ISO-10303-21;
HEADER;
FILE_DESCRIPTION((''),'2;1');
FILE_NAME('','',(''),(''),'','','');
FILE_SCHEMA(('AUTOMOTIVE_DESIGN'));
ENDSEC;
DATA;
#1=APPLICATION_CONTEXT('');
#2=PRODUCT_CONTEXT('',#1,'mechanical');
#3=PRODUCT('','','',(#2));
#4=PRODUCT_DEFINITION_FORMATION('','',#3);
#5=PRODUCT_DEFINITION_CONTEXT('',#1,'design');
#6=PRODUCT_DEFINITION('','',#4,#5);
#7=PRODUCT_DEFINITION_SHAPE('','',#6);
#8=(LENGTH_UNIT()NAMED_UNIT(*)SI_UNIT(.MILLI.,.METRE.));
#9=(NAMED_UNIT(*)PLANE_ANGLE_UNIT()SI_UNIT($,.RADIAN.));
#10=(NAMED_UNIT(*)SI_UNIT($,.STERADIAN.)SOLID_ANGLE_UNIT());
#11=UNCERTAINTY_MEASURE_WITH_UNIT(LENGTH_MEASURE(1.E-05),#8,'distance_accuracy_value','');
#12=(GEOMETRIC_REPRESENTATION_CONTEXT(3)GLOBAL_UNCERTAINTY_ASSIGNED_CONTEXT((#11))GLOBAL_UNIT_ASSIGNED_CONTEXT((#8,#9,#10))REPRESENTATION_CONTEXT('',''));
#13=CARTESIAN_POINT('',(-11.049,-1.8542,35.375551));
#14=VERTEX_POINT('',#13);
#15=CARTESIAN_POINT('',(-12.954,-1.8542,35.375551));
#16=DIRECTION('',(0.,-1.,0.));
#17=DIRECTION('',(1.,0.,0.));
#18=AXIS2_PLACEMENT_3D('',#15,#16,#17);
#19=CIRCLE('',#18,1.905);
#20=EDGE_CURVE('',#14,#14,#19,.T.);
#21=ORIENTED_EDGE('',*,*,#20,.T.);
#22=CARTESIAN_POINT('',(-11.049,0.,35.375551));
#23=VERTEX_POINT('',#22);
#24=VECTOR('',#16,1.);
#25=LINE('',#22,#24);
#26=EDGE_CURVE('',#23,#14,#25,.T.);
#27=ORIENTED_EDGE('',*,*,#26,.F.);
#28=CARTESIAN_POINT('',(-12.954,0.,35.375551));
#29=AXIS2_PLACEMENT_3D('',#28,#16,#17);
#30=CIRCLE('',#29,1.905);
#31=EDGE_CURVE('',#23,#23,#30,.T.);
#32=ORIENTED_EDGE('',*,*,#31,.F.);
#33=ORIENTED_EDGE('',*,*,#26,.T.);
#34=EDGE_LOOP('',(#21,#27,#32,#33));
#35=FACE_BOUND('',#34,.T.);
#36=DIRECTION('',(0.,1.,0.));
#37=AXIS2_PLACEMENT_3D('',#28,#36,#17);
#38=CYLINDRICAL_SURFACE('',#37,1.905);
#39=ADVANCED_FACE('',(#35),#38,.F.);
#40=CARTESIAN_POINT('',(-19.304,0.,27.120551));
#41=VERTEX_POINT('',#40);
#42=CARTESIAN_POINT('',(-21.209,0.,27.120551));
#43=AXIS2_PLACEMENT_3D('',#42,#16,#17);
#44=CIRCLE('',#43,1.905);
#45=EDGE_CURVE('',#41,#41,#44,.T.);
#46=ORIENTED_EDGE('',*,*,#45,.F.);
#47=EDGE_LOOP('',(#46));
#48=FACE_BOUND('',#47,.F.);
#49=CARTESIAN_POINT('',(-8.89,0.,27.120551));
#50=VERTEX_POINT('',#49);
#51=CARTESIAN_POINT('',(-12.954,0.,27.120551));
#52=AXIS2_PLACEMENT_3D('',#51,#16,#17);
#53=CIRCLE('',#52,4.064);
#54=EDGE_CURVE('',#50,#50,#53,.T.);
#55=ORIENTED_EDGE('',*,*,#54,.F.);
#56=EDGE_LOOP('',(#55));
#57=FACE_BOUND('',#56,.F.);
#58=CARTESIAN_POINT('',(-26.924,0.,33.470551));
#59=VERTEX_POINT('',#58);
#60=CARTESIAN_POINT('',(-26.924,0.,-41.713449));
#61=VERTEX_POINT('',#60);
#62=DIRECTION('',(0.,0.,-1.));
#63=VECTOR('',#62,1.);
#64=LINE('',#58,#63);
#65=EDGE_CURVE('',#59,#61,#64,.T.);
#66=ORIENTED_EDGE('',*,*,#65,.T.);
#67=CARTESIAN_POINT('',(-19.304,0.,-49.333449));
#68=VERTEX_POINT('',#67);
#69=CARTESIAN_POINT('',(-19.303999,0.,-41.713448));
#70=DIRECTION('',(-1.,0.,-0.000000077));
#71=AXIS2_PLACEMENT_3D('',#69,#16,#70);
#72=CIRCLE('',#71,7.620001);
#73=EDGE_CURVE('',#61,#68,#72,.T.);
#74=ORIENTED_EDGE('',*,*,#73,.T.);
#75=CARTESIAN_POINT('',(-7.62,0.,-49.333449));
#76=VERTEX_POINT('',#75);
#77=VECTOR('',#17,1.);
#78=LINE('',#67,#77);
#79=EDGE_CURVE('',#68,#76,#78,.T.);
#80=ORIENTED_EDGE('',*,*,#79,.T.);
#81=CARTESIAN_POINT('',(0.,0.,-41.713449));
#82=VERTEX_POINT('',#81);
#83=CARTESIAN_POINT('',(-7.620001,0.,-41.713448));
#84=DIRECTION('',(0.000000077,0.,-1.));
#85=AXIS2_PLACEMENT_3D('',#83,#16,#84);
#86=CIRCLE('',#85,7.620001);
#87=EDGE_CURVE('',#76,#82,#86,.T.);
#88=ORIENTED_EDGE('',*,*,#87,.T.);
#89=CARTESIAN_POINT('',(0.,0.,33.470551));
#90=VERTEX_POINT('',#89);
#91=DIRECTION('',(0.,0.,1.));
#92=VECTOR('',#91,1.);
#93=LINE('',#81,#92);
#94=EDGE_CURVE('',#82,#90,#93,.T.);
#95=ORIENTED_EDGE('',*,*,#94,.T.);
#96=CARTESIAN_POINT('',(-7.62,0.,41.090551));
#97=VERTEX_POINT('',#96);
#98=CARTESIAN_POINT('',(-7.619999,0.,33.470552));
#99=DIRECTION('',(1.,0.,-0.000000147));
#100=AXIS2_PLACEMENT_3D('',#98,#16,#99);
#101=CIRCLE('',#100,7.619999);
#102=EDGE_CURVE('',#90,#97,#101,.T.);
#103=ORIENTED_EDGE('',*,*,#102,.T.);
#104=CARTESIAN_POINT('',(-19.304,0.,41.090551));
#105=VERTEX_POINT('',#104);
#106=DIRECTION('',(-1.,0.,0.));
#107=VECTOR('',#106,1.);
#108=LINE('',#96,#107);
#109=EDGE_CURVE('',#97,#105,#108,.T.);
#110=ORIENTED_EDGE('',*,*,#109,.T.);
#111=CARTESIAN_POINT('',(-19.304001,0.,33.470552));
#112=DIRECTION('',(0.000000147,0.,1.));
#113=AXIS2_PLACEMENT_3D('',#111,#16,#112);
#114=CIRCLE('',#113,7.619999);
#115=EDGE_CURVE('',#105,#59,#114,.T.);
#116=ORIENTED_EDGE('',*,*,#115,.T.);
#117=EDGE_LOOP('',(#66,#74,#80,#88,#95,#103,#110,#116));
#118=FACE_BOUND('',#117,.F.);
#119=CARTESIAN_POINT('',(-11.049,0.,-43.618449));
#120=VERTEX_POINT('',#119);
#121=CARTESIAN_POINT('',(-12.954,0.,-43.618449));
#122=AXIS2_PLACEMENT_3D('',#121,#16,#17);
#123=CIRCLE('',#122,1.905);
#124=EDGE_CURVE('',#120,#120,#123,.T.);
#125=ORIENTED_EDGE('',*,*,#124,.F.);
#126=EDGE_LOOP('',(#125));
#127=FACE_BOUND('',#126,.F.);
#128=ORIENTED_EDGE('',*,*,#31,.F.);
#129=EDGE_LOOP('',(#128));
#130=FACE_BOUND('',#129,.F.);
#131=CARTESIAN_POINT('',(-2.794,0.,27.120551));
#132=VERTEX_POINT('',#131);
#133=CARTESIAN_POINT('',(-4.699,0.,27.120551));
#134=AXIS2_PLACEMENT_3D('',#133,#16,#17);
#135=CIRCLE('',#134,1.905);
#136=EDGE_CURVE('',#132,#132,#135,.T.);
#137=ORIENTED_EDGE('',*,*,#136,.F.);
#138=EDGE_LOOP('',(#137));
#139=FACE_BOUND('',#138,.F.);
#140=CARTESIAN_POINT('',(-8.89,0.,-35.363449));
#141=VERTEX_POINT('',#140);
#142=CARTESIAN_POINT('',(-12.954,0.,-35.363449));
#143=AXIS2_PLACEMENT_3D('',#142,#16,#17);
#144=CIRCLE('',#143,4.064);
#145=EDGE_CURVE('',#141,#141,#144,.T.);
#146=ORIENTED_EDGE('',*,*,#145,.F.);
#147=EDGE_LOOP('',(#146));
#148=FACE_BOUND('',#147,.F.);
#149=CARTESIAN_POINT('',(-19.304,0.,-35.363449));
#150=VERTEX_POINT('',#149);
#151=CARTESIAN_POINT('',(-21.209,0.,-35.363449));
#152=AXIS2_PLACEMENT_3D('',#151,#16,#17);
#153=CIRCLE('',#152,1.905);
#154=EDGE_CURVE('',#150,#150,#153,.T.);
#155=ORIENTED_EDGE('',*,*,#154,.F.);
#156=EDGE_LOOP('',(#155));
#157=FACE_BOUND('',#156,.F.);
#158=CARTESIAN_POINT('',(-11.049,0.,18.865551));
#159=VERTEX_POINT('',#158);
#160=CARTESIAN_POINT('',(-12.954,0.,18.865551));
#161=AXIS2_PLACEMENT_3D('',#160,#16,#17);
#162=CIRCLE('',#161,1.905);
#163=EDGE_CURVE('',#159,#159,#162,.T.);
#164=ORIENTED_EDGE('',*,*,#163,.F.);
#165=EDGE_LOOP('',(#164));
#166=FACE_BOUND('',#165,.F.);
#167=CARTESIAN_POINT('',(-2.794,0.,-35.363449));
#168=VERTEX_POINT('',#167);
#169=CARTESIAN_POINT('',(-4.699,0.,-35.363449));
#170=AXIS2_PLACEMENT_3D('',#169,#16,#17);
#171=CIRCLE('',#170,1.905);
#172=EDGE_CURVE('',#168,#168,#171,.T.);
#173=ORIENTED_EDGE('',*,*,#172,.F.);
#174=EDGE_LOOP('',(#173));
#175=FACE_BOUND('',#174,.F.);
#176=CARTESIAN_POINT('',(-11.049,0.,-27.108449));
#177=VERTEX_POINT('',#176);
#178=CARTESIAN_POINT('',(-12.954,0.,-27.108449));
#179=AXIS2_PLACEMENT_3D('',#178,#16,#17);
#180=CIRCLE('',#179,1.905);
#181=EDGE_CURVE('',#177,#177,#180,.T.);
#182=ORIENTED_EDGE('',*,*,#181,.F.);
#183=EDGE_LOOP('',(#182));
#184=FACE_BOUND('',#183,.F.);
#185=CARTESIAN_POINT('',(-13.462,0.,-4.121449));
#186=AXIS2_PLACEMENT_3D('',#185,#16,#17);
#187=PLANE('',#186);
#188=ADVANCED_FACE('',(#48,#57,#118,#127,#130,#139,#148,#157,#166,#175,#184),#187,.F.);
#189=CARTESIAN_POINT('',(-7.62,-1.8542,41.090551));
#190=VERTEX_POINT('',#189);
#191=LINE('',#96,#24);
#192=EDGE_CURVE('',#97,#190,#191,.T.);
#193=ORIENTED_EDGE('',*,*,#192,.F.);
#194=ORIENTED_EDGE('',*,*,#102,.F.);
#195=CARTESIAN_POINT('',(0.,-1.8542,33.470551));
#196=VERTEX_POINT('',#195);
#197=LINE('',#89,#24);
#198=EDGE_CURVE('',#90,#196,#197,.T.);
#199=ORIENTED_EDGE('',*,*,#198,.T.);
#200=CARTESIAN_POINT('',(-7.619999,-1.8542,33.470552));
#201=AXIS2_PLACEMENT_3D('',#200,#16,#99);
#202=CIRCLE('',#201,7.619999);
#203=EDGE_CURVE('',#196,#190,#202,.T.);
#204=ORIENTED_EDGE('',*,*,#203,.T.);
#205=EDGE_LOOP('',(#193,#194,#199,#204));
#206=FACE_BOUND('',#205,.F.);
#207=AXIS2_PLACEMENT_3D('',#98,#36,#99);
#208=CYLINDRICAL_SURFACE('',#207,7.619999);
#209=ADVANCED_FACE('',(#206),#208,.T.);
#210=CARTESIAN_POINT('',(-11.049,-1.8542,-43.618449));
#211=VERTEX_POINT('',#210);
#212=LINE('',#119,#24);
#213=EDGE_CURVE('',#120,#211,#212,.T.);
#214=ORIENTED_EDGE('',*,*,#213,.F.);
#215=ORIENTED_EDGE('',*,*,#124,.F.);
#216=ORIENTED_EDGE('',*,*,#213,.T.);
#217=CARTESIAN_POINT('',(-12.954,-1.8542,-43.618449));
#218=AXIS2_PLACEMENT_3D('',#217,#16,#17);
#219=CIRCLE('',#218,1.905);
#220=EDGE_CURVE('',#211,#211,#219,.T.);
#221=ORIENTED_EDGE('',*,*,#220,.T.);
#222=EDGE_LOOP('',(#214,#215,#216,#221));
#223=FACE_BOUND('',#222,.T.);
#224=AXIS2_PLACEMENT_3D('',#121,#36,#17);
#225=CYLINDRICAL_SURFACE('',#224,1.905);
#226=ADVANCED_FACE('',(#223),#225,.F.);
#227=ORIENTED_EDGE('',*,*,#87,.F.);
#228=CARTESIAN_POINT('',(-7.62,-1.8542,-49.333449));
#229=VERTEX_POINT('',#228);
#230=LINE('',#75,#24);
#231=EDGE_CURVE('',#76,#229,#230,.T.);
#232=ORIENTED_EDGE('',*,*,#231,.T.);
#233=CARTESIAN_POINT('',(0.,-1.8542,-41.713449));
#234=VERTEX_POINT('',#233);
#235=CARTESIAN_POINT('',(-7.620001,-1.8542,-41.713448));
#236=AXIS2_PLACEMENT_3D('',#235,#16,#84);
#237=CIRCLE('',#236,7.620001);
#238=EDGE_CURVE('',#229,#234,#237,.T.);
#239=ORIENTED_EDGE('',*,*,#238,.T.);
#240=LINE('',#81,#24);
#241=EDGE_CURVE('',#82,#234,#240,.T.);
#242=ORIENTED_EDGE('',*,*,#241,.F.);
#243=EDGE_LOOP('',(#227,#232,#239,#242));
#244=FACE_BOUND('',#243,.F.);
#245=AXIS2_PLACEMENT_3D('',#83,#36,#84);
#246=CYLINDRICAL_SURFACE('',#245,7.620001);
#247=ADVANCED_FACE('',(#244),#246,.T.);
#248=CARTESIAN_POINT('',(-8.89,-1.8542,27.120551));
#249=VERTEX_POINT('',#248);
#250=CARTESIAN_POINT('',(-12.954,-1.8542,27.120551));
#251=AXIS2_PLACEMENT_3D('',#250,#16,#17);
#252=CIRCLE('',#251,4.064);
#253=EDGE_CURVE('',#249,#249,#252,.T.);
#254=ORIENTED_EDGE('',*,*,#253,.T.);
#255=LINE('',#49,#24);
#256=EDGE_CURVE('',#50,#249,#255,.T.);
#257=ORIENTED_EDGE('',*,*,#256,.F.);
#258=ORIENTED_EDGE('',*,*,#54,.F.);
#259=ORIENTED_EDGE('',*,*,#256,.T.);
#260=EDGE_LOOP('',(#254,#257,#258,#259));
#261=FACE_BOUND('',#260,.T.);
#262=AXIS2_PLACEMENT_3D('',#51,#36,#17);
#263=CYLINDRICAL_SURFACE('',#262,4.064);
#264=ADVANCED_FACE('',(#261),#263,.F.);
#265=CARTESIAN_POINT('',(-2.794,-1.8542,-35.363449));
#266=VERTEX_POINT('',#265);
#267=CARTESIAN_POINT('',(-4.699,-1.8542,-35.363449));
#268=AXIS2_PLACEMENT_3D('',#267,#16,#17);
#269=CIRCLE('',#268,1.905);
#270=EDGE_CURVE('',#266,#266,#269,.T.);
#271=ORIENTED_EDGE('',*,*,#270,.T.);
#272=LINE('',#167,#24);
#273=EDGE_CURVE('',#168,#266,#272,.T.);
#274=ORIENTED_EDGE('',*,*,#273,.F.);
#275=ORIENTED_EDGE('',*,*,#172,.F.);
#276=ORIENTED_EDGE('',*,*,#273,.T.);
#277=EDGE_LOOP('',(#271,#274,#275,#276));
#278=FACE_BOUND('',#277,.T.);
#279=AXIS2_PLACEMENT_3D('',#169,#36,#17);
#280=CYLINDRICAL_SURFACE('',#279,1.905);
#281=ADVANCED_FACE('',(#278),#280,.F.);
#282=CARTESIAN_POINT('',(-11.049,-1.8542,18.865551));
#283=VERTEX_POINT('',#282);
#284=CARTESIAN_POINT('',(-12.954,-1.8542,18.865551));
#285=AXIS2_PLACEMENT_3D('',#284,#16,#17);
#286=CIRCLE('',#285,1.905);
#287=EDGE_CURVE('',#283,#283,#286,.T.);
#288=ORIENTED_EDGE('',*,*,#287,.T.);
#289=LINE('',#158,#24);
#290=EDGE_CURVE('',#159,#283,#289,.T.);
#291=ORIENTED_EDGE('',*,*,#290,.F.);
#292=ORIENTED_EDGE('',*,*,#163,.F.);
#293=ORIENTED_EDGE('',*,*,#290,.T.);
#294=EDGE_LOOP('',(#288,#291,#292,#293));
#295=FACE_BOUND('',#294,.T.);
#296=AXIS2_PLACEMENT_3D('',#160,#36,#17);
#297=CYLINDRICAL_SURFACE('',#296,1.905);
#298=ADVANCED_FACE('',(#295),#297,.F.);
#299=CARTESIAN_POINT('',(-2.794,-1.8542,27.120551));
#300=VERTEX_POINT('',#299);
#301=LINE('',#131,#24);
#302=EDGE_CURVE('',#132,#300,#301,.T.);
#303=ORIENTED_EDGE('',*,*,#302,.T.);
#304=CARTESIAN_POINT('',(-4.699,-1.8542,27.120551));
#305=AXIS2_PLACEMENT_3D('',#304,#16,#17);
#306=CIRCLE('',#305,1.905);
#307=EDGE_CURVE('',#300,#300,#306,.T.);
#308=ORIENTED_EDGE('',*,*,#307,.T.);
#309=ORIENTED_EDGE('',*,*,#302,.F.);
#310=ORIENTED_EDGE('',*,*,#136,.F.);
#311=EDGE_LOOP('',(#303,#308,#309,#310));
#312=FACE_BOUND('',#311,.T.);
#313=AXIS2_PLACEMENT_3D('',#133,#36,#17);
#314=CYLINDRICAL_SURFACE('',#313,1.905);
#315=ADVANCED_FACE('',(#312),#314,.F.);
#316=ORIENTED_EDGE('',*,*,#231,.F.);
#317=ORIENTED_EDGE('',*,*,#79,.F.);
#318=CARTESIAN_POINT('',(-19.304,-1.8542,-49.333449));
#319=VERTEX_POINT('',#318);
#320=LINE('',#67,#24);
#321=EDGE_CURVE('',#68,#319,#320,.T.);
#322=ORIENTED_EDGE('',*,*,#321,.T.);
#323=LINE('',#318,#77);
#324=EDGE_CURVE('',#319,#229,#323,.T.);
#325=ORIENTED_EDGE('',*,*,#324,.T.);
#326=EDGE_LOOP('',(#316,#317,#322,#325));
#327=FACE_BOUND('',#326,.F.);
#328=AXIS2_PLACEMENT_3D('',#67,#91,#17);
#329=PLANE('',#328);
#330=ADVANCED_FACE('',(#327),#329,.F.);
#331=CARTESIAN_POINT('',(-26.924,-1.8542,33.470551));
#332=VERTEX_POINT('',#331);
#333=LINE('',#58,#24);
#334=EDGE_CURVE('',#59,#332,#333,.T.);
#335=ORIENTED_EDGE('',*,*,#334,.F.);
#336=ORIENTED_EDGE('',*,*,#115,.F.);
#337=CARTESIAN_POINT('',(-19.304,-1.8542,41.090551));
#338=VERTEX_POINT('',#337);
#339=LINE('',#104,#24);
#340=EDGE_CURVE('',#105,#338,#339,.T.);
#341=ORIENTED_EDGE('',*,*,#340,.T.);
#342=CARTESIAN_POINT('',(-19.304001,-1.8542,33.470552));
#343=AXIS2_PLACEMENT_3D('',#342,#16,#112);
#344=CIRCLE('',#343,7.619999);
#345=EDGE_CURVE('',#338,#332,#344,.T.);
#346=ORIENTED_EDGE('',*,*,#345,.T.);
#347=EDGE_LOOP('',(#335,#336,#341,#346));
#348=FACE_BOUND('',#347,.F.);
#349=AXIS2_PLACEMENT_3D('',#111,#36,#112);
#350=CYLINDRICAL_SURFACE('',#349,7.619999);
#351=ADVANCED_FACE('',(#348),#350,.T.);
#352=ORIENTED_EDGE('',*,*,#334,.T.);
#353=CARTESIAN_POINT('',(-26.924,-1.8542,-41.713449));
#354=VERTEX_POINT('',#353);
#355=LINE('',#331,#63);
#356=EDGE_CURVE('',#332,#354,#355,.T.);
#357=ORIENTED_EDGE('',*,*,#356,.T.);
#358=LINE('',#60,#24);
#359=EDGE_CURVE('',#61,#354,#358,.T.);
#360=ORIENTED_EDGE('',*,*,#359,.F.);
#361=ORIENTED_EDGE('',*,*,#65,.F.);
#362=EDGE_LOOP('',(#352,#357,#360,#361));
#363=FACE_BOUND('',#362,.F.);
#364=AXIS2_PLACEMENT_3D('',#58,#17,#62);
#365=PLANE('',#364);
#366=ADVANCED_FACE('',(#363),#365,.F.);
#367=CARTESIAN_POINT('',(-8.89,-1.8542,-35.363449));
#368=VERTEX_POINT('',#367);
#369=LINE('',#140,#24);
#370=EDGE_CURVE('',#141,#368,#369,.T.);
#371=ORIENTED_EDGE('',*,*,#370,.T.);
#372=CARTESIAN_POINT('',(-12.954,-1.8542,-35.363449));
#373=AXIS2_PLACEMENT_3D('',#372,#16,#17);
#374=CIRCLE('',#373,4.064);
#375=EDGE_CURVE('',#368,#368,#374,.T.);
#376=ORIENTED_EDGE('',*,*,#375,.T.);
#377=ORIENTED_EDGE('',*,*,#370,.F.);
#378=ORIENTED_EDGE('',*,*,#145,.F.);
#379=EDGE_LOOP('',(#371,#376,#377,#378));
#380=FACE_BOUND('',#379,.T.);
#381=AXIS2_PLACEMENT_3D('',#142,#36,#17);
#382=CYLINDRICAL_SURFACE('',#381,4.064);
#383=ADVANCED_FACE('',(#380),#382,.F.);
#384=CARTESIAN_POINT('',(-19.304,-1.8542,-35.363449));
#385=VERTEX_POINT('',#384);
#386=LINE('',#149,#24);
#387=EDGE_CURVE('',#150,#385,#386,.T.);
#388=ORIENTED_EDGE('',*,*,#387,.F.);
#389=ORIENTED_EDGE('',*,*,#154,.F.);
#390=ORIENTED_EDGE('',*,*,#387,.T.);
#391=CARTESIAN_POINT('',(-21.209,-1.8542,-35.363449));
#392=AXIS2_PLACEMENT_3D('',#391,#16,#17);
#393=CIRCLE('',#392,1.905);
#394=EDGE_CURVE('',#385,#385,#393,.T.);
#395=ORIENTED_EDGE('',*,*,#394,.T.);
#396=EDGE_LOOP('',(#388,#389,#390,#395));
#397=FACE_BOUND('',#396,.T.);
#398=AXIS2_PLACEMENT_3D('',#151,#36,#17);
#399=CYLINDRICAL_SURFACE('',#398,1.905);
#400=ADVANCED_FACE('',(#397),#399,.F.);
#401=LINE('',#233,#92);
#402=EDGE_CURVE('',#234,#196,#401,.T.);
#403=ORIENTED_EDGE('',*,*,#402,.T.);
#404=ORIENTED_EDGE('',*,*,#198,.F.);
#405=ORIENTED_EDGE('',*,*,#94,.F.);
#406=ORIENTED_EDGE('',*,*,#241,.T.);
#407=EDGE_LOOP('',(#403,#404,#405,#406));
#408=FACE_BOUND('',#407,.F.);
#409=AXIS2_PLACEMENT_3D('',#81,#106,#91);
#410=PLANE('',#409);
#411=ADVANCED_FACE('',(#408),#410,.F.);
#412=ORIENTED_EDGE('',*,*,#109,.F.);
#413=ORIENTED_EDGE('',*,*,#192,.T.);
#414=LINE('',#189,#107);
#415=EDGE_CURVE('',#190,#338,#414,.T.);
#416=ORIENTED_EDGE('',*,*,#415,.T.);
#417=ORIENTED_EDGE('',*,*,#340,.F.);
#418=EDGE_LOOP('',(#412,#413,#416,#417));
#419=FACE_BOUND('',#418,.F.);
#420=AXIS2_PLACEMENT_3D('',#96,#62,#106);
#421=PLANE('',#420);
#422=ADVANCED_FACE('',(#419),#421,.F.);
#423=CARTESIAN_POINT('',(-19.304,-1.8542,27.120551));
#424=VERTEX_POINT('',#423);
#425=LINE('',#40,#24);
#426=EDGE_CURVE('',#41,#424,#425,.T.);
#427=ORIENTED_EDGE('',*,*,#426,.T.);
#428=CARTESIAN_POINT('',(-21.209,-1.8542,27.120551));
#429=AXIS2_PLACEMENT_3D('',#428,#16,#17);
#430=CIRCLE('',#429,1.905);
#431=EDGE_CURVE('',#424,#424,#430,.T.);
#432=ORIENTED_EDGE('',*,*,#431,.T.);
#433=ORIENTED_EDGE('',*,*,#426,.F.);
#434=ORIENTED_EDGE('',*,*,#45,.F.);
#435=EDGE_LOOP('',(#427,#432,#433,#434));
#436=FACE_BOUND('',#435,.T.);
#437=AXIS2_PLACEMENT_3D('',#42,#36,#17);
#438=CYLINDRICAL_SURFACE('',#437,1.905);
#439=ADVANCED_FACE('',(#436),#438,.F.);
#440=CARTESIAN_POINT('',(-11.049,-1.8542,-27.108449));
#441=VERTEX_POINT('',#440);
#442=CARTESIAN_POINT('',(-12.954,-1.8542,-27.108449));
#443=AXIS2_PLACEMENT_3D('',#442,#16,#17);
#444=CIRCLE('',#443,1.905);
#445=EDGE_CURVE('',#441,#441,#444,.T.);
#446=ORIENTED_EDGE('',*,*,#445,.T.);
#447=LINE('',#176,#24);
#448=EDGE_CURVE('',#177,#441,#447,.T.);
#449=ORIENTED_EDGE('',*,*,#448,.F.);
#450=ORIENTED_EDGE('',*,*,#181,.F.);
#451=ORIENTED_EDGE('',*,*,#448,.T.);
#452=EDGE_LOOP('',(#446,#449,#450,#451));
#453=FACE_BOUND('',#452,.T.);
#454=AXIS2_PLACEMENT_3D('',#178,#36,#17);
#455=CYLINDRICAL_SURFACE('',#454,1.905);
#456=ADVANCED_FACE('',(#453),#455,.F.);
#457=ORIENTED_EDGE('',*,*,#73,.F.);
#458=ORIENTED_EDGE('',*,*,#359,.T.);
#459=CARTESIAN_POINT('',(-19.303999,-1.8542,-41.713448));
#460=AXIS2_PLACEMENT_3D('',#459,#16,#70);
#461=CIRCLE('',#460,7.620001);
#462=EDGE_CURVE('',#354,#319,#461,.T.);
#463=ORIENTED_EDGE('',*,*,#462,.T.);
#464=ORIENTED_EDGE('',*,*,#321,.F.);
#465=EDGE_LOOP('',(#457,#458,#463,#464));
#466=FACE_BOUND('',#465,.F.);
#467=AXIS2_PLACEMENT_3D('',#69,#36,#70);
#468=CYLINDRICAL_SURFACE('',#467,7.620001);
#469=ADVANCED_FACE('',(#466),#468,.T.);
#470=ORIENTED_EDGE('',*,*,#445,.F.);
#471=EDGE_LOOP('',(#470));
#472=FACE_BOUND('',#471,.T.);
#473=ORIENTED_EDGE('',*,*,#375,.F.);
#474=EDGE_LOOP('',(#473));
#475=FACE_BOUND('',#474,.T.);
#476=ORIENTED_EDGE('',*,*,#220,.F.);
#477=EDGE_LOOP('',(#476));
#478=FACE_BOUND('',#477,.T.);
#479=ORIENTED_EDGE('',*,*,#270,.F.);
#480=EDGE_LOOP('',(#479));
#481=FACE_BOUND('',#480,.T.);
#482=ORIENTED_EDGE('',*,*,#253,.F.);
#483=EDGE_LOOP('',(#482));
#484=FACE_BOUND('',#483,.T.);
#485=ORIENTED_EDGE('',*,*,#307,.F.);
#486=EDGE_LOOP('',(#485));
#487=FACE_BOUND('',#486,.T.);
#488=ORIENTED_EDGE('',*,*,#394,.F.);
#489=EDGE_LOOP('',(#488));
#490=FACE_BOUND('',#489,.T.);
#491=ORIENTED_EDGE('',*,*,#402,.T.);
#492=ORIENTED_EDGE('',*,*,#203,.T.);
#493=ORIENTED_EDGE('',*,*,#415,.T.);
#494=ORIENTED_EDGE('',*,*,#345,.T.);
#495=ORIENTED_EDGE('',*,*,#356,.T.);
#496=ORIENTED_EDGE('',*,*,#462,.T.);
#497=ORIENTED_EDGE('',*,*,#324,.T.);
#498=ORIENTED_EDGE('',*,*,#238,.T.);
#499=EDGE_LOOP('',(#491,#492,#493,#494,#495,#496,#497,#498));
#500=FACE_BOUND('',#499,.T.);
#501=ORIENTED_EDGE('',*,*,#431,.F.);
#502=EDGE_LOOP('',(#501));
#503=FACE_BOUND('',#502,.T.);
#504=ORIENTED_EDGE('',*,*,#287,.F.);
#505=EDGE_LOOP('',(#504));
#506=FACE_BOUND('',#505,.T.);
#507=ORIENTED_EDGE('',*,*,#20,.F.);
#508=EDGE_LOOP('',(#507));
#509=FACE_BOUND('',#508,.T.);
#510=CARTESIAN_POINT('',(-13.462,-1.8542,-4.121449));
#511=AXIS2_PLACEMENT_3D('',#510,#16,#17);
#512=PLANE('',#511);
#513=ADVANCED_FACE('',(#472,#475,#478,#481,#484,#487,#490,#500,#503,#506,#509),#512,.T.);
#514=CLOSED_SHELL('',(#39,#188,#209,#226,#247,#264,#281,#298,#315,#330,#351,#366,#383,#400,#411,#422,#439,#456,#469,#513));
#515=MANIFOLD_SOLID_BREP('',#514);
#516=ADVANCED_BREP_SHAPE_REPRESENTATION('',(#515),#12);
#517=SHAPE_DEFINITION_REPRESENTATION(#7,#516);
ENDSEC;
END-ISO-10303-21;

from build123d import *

# Parameters (mm, degrees)
F0_R     = 1.905
F0_R_2   = 4.064
F1_DEPTH = 1.8542


with BuildPart() as f1:
    # F0 (on Front) → F1 (new body)
    with BuildSketch(Plane.XZ):
        with BuildLine():
            ThreePointArc((0, 33.470551), (-2.231846, 38.858705), (-7.62, 41.090551))
            Line((-7.62, 41.090551), (-19.304, 41.090551))
            ThreePointArc((-19.304, 41.090551), (-24.692154, 38.858705), (-26.924, 33.470551))
            Line((-26.924, 33.470551), (-26.924, -41.713449))
            ThreePointArc((-26.924, -41.713449), (-24.692154, -47.101602), (-19.304, -49.333449))
            Line((-19.304, -49.333449), (-7.62, -49.333449))
            ThreePointArc((-7.62, -49.333449), (-2.231846, -47.101602), (0, -41.713449))
            Line((0, -41.713449), (0, 33.470551))
        make_face()
        with Locations((-21.209, -35.363449)):
            Circle(F0_R, mode=Mode.SUBTRACT)
        with Locations((-12.954, -43.618449)):
            Circle(F0_R, mode=Mode.SUBTRACT)
        with Locations((-12.954, -35.363449)):
            Circle(F0_R_2, mode=Mode.SUBTRACT)
        with Locations((-12.954, -27.108449)):
            Circle(F0_R, mode=Mode.SUBTRACT)
        with Locations((-4.699, -35.363449)):
            Circle(F0_R, mode=Mode.SUBTRACT)
        with Locations((-21.209, 27.120551)):
            Circle(F0_R, mode=Mode.SUBTRACT)
        with Locations((-12.954, 18.865551)):
            Circle(F0_R, mode=Mode.SUBTRACT)
        with Locations((-12.954, 27.120551)):
            Circle(F0_R_2, mode=Mode.SUBTRACT)
        with Locations((-12.954, 35.375551)):
            Circle(F0_R, mode=Mode.SUBTRACT)
        with Locations((-4.699, 27.120551)):
            Circle(F0_R, mode=Mode.SUBTRACT)
    extrude(amount=F1_DEPTH)


solid = f1.part
